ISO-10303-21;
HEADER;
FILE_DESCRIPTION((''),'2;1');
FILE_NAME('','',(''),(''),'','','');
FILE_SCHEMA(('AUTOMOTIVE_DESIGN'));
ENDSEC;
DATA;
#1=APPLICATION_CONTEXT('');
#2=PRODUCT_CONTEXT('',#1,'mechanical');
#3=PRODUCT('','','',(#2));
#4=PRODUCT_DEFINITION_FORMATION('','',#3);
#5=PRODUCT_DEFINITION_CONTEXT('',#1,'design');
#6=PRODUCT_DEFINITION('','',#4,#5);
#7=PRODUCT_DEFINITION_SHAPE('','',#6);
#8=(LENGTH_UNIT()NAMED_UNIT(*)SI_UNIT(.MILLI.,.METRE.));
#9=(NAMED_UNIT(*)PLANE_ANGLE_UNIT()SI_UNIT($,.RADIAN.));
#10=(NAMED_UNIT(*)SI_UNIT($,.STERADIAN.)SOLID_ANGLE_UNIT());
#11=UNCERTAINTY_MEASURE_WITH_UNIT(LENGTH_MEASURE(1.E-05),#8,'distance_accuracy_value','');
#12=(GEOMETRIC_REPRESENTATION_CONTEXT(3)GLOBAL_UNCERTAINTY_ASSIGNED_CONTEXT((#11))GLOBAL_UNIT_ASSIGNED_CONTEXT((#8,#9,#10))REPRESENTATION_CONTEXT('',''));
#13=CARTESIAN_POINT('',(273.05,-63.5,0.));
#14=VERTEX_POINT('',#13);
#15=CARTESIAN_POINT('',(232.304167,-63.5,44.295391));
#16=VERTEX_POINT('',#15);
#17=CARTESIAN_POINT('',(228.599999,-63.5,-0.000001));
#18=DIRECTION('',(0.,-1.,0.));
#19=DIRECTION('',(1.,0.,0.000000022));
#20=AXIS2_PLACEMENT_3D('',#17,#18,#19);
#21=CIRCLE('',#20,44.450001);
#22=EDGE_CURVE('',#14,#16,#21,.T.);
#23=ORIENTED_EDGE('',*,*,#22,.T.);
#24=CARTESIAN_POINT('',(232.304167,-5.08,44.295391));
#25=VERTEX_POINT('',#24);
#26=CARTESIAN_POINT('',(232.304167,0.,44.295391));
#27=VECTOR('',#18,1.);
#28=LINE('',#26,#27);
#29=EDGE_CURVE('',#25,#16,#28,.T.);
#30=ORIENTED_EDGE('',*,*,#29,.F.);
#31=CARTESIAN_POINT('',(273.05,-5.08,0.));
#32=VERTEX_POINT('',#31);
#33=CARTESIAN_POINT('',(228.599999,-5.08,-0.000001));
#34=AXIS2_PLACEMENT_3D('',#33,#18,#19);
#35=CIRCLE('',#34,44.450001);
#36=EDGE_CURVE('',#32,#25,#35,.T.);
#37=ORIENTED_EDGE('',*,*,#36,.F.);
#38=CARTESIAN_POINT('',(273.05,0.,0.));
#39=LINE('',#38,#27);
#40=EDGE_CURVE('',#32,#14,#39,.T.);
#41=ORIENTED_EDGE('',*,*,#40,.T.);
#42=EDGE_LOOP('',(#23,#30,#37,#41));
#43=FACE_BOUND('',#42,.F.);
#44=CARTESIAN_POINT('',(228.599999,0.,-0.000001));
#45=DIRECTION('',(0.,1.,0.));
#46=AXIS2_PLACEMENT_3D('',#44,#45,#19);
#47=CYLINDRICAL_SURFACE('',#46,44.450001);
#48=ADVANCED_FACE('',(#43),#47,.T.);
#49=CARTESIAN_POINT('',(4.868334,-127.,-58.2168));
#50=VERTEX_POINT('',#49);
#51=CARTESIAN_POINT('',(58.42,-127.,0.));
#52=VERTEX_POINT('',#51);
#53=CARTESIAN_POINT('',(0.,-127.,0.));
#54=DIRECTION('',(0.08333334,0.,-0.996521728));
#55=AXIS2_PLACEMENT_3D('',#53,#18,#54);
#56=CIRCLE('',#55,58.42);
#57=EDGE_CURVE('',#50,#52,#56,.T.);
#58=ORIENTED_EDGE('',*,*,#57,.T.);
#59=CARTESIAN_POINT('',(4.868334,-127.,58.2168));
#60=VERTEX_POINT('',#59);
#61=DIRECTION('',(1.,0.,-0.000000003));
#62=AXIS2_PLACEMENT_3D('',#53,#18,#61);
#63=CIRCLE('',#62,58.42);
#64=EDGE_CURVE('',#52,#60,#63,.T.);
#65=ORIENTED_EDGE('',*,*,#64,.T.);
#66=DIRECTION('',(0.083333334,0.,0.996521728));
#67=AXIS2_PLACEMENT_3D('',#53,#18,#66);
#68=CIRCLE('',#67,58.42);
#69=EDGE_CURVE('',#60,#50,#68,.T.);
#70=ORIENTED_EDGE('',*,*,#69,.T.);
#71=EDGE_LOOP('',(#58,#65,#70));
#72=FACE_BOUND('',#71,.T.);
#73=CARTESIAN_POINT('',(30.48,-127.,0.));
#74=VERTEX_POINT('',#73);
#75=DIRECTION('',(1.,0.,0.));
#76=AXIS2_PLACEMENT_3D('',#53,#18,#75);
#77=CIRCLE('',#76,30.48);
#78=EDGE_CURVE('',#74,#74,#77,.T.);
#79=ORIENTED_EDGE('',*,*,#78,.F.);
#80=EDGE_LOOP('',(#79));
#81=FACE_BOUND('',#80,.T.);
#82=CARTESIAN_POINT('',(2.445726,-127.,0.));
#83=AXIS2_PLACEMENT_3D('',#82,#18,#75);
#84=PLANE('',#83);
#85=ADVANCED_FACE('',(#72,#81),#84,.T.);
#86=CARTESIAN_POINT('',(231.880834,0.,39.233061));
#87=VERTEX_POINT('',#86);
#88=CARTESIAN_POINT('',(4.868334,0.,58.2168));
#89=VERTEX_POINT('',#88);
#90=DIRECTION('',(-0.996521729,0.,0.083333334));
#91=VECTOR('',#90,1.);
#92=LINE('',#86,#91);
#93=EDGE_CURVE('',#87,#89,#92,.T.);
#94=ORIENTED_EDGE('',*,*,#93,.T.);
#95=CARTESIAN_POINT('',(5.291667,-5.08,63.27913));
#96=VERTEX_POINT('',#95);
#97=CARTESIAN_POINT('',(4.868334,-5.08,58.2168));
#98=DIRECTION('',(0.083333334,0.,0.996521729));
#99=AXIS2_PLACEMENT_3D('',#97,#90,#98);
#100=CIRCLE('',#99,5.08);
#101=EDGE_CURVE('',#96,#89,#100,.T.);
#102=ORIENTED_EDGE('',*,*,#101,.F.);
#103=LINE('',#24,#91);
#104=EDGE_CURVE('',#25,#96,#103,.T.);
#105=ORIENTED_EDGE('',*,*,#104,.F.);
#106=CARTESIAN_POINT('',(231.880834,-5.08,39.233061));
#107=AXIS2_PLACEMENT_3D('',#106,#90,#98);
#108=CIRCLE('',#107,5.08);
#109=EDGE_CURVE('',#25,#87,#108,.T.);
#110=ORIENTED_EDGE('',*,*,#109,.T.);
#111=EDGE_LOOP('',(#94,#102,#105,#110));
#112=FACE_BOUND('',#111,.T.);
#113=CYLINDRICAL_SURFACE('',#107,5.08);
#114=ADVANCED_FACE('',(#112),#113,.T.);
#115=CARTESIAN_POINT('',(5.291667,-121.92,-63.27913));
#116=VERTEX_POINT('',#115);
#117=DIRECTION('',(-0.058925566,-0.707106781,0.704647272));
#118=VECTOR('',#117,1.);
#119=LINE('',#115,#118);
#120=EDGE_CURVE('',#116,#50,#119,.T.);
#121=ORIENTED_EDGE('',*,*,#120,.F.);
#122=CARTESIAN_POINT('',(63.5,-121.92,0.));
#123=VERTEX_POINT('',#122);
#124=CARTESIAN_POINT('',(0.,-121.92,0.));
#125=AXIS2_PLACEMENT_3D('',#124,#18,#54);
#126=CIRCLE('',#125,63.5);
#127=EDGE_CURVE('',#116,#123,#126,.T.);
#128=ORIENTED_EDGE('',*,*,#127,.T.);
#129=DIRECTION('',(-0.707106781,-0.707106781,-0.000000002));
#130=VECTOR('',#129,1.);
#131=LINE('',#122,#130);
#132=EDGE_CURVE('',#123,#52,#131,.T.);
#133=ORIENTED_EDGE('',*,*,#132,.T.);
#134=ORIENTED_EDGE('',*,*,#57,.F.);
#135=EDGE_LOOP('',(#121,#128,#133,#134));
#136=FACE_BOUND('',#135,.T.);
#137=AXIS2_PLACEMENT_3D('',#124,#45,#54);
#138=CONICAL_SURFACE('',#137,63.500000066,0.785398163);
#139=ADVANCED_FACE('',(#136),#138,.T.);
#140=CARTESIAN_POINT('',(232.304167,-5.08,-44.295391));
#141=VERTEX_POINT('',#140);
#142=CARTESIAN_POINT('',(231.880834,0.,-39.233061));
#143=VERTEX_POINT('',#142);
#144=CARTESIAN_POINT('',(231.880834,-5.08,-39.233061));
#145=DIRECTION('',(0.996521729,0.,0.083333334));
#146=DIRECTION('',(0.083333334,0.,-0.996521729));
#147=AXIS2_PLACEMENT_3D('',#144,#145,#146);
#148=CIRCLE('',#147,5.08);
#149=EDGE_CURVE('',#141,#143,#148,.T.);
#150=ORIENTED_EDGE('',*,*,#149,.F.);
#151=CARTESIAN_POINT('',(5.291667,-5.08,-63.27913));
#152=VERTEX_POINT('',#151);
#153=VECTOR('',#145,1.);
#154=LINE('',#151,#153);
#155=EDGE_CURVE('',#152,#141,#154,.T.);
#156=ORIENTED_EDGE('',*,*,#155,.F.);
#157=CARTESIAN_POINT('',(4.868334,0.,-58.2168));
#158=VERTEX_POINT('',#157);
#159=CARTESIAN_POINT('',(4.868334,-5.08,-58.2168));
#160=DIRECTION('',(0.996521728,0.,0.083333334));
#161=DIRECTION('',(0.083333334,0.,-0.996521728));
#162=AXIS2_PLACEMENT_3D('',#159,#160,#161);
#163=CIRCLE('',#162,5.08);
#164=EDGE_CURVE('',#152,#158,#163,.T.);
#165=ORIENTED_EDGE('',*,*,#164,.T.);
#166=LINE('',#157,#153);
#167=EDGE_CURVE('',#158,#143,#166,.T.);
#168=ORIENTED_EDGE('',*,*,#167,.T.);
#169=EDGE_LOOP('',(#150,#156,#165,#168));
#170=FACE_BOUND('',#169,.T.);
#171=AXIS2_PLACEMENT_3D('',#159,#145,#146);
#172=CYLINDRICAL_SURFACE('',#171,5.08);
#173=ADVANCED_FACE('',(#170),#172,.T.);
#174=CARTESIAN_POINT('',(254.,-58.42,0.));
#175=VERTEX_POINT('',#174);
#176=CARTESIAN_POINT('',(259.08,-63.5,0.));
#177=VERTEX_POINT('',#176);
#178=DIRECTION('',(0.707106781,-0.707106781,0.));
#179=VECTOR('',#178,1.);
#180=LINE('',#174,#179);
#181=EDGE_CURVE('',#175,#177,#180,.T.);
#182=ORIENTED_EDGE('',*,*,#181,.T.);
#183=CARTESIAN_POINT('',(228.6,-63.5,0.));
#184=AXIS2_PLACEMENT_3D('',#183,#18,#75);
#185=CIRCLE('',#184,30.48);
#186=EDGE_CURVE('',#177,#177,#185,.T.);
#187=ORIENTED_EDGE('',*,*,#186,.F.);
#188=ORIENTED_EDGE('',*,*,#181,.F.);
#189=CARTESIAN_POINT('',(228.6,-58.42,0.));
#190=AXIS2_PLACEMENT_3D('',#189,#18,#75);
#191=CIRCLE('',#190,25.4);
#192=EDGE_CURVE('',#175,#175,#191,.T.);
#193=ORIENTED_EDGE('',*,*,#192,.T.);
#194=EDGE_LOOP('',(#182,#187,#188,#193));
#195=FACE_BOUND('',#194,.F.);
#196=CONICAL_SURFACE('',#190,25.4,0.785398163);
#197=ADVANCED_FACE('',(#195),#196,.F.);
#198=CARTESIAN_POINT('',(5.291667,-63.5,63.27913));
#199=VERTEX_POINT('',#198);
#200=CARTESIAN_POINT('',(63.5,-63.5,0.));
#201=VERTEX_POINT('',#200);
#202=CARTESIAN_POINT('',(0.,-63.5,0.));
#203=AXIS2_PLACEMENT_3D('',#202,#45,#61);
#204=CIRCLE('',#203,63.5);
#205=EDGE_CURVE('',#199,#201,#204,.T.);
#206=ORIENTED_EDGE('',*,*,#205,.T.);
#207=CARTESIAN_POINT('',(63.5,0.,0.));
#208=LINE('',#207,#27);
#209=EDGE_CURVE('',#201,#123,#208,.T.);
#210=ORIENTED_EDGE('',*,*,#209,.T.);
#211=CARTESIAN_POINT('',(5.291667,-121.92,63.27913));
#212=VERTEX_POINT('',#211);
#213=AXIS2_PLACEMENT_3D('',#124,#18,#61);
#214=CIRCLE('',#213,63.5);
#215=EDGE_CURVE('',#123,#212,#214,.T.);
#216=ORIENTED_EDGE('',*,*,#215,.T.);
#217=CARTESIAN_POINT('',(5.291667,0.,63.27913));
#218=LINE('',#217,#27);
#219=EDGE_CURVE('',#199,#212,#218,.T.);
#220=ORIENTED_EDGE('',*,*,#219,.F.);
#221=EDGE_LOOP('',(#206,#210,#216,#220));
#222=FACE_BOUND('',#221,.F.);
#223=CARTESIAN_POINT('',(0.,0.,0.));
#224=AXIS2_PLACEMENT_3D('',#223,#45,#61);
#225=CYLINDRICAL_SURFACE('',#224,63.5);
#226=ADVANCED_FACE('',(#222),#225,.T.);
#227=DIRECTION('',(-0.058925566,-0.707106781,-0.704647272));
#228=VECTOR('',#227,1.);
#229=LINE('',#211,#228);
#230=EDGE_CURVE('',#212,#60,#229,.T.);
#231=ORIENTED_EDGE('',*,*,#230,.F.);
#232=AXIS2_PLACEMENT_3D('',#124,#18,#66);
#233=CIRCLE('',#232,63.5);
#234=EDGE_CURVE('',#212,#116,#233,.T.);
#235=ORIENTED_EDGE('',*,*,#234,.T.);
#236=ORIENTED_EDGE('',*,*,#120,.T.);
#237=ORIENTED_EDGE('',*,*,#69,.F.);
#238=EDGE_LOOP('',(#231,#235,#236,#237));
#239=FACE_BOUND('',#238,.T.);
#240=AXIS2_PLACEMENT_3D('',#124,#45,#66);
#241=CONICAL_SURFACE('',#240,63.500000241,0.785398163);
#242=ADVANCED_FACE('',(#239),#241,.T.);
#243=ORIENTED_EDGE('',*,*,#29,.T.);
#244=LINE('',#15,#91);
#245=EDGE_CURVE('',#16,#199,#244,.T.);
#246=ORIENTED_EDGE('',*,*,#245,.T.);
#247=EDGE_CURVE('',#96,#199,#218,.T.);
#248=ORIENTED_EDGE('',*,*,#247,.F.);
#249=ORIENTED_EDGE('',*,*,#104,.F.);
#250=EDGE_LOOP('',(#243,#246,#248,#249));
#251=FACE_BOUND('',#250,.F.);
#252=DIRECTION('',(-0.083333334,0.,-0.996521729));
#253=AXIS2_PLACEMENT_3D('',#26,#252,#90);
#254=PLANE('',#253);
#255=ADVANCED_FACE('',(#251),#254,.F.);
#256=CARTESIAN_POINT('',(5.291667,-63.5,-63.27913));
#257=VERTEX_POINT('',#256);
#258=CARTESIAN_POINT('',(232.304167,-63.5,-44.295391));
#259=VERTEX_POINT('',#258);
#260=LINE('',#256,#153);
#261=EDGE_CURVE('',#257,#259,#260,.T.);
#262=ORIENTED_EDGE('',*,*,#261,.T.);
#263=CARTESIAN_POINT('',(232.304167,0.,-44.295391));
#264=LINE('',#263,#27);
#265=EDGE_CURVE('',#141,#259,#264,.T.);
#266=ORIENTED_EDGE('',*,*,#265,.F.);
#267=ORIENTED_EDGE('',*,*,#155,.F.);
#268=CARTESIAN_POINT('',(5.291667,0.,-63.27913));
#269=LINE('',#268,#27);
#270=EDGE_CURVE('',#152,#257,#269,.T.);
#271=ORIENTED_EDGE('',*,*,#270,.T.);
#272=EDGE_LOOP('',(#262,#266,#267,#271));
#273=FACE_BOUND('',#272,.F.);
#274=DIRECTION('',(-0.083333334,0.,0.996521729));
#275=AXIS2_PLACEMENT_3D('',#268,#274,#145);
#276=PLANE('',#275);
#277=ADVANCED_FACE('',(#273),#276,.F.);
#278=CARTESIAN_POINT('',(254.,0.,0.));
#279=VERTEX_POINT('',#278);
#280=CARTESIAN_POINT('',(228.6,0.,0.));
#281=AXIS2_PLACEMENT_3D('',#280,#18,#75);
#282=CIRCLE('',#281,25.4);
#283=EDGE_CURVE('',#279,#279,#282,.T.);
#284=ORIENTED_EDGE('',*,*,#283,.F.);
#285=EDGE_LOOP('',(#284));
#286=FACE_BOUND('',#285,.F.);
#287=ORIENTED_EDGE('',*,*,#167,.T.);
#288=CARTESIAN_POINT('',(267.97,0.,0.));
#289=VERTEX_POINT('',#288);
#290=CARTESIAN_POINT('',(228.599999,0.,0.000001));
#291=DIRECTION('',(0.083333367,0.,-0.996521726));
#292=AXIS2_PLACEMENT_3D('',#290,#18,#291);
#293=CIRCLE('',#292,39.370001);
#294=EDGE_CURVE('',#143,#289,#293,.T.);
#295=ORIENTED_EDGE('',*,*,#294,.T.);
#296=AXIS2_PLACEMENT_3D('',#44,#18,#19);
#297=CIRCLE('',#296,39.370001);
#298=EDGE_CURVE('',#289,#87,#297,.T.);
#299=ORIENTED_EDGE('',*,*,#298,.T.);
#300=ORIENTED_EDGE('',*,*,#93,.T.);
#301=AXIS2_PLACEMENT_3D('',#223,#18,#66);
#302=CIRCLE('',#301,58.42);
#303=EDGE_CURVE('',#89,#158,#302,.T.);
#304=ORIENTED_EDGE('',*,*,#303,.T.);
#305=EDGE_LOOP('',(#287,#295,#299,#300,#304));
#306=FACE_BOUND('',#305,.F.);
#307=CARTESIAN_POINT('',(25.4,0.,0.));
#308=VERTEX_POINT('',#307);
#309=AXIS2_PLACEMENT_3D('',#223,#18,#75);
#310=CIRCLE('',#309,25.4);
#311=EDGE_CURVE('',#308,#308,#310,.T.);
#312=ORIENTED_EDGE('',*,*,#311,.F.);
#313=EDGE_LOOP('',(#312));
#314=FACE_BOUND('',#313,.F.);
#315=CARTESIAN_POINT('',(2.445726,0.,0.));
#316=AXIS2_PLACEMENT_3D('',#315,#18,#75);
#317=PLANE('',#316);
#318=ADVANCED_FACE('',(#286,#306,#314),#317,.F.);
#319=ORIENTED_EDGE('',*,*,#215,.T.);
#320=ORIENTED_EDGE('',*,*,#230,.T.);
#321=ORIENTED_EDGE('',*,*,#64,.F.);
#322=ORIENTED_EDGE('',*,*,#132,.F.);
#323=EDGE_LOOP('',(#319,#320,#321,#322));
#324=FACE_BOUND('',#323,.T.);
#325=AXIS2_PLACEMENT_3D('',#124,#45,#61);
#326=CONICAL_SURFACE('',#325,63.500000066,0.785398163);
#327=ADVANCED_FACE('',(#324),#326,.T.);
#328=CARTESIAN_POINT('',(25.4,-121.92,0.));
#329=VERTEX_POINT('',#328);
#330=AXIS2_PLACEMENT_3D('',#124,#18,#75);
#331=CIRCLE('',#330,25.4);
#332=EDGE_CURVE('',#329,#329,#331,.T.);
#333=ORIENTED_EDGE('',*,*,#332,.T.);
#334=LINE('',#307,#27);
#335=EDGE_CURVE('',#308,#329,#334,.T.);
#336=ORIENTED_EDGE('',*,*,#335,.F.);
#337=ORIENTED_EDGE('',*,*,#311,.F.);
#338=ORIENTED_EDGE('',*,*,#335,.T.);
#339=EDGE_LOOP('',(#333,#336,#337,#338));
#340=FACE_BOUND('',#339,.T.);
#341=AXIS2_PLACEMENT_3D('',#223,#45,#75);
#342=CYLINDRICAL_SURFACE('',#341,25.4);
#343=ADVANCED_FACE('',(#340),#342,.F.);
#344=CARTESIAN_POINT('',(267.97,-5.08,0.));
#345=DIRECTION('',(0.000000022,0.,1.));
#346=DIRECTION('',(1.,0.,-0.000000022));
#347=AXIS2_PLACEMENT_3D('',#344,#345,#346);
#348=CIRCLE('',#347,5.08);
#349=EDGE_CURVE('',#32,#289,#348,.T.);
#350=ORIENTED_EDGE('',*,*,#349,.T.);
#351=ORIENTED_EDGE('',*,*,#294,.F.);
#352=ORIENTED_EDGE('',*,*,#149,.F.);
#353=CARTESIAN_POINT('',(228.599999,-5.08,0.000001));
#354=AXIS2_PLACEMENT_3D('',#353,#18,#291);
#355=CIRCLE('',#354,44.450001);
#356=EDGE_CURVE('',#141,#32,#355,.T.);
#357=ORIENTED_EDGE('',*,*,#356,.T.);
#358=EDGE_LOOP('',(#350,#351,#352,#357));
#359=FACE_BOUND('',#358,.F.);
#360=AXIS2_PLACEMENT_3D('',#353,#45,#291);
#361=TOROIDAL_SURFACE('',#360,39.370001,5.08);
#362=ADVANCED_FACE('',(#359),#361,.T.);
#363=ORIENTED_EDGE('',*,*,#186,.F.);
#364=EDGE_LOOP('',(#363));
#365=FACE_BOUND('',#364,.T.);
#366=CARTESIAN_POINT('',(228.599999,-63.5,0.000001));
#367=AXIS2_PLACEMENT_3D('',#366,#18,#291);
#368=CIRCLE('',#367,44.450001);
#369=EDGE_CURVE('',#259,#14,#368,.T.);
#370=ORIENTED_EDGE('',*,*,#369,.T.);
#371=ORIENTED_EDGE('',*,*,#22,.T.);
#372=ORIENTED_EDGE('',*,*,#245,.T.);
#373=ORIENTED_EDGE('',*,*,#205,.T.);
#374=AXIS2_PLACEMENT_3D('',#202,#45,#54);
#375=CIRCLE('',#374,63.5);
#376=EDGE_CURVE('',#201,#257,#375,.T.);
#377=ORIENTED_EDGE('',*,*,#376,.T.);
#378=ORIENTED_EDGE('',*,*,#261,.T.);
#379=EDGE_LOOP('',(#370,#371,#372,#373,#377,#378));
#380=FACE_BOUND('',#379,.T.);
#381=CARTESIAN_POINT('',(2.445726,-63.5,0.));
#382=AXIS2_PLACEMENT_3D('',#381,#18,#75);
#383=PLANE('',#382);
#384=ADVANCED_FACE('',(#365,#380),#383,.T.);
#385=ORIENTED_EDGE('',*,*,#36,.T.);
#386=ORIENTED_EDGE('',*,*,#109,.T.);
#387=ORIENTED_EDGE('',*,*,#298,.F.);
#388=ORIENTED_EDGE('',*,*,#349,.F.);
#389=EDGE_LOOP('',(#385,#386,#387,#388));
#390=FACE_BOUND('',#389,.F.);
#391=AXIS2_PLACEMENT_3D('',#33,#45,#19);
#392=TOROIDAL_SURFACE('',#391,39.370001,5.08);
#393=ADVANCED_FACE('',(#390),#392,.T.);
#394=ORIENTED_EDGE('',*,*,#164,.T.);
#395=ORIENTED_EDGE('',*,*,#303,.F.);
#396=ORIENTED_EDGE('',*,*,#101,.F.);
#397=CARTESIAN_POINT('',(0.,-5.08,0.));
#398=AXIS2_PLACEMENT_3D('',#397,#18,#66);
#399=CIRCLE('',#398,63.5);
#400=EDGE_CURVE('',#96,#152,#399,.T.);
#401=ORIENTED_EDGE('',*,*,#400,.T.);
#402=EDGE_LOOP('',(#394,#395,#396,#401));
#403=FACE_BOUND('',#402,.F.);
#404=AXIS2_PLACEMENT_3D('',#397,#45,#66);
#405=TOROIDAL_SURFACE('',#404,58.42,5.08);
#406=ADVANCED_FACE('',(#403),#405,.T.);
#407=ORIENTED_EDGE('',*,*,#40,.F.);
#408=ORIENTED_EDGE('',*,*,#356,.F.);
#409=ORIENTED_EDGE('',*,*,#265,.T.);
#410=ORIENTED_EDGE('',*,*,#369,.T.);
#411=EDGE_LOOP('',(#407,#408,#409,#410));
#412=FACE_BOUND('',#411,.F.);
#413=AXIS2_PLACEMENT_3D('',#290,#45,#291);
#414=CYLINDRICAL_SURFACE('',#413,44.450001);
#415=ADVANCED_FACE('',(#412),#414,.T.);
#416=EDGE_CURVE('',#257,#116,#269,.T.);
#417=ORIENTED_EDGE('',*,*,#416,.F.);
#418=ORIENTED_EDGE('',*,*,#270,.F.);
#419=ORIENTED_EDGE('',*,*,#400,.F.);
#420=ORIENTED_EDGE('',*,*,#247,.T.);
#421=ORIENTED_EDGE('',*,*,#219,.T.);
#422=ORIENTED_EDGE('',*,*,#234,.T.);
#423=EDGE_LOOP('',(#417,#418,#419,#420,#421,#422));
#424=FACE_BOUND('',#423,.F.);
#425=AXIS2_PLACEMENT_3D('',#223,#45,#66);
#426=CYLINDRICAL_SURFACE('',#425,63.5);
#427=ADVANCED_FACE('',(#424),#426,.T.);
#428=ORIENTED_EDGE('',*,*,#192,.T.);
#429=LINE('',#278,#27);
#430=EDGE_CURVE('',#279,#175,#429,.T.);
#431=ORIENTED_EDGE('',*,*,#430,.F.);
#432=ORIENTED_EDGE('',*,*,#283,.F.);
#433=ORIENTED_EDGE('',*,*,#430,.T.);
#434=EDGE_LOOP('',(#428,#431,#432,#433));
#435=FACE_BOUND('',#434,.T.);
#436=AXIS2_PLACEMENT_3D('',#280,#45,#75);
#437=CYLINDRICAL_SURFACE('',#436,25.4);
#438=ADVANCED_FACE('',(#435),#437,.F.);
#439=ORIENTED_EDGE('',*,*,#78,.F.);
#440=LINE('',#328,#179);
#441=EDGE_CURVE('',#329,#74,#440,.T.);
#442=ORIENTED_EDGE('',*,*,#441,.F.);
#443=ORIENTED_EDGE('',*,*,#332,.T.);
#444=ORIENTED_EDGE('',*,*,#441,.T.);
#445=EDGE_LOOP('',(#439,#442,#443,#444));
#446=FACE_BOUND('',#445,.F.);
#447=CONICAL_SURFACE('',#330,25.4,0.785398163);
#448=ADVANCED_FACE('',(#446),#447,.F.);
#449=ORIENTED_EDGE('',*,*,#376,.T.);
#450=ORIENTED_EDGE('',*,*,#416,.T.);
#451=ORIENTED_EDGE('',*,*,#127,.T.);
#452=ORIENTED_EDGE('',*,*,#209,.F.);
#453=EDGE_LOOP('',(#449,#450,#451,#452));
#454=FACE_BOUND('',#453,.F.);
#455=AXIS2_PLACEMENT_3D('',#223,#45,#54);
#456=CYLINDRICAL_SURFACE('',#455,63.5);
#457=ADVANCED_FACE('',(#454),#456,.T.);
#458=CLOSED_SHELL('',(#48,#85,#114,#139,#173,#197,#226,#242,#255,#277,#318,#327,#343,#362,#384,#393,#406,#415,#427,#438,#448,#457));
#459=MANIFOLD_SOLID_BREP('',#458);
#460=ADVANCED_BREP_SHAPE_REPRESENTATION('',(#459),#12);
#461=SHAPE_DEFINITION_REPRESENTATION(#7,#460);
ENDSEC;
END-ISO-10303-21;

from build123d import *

# Parameters (mm, degrees)
F0_R     = 25.4
F1_DEPTH = 63.5
F2_DEPTH = 127
F3_SIZE  = 5.08
F4_R     = 5.08


with BuildPart() as f1:
    # F0 (on Front) → F1 (new body)
    with BuildSketch(Plane.XZ):
        with BuildLine():
            ThreePointArc((5.291667, -63.27913), (46.734735, -42.989703), (63.5, 0))
            ThreePointArc((63.5, 0), (46.734735, 42.989703), (5.291667, 63.27913))
            ThreePointArc((5.291667, 63.27913), (-63.5, 0), (5.291667, -63.27913))
        make_face()
        Circle(F0_R, mode=Mode.SUBTRACT)
        with BuildLine():
            ThreePointArc((5.291667, 63.27913), (46.734735, 42.989703), (63.5, 0))
            ThreePointArc((63.5, 0), (46.734735, -42.989703), (5.291667, -63.27913))
            Line((5.291667, -63.27913), (232.304167, -44.295391))
            ThreePointArc((232.304167, -44.295391), (184.15, 0), (232.304167, 44.295391))
            Line((232.304167, 44.295391), (5.291667, 63.27913))
        make_face()
        with BuildLine():
            ThreePointArc((273.05, 0), (261.314314, 30.092792), (232.304167, 44.295391))
            ThreePointArc((232.304167, 44.295391), (184.15, 0), (232.304167, -44.295391))
            ThreePointArc((232.304167, -44.295391), (261.314314, -30.092792), (273.05, 0))
        make_face()
        with Locations((228.6, 0)):
            Circle(F0_R, mode=Mode.SUBTRACT)
    extrude(amount=F1_DEPTH)

    # F0 (on Front) → F2 (join)
    with BuildSketch(Plane.XZ):
        with BuildLine():
            ThreePointArc((5.291667, -63.27913), (46.734735, -42.989703), (63.5, 0))
            ThreePointArc((63.5, 0), (46.734735, 42.989703), (5.291667, 63.27913))
            ThreePointArc((5.291667, 63.27913), (-63.5, 0), (5.291667, -63.27913))
        make_face()
        Circle(F0_R, mode=Mode.SUBTRACT)
    extrude(amount=F2_DEPTH)

    # F3
    f3_edges = [f1.edges().sort_by_distance(p)[0] for p in [
        (-25.4, -127, 0),
        (-5.291667, -127, 63.27913),
        (203.2, -63.5, 0),
    ]]
    chamfer(f3_edges, length=F3_SIZE)

    # F4
    f4_edges = [f1.edges().sort_by_distance(p)[0] for p in [
        (118.797917, 0, 53.78726),
        (118.797917, 0, -53.78726),
        (-63.5, 0, 0),
        (273.05, 0, 0),
    ]]
    fillet(f4_edges, radius=F4_R)


solid = f1.part
